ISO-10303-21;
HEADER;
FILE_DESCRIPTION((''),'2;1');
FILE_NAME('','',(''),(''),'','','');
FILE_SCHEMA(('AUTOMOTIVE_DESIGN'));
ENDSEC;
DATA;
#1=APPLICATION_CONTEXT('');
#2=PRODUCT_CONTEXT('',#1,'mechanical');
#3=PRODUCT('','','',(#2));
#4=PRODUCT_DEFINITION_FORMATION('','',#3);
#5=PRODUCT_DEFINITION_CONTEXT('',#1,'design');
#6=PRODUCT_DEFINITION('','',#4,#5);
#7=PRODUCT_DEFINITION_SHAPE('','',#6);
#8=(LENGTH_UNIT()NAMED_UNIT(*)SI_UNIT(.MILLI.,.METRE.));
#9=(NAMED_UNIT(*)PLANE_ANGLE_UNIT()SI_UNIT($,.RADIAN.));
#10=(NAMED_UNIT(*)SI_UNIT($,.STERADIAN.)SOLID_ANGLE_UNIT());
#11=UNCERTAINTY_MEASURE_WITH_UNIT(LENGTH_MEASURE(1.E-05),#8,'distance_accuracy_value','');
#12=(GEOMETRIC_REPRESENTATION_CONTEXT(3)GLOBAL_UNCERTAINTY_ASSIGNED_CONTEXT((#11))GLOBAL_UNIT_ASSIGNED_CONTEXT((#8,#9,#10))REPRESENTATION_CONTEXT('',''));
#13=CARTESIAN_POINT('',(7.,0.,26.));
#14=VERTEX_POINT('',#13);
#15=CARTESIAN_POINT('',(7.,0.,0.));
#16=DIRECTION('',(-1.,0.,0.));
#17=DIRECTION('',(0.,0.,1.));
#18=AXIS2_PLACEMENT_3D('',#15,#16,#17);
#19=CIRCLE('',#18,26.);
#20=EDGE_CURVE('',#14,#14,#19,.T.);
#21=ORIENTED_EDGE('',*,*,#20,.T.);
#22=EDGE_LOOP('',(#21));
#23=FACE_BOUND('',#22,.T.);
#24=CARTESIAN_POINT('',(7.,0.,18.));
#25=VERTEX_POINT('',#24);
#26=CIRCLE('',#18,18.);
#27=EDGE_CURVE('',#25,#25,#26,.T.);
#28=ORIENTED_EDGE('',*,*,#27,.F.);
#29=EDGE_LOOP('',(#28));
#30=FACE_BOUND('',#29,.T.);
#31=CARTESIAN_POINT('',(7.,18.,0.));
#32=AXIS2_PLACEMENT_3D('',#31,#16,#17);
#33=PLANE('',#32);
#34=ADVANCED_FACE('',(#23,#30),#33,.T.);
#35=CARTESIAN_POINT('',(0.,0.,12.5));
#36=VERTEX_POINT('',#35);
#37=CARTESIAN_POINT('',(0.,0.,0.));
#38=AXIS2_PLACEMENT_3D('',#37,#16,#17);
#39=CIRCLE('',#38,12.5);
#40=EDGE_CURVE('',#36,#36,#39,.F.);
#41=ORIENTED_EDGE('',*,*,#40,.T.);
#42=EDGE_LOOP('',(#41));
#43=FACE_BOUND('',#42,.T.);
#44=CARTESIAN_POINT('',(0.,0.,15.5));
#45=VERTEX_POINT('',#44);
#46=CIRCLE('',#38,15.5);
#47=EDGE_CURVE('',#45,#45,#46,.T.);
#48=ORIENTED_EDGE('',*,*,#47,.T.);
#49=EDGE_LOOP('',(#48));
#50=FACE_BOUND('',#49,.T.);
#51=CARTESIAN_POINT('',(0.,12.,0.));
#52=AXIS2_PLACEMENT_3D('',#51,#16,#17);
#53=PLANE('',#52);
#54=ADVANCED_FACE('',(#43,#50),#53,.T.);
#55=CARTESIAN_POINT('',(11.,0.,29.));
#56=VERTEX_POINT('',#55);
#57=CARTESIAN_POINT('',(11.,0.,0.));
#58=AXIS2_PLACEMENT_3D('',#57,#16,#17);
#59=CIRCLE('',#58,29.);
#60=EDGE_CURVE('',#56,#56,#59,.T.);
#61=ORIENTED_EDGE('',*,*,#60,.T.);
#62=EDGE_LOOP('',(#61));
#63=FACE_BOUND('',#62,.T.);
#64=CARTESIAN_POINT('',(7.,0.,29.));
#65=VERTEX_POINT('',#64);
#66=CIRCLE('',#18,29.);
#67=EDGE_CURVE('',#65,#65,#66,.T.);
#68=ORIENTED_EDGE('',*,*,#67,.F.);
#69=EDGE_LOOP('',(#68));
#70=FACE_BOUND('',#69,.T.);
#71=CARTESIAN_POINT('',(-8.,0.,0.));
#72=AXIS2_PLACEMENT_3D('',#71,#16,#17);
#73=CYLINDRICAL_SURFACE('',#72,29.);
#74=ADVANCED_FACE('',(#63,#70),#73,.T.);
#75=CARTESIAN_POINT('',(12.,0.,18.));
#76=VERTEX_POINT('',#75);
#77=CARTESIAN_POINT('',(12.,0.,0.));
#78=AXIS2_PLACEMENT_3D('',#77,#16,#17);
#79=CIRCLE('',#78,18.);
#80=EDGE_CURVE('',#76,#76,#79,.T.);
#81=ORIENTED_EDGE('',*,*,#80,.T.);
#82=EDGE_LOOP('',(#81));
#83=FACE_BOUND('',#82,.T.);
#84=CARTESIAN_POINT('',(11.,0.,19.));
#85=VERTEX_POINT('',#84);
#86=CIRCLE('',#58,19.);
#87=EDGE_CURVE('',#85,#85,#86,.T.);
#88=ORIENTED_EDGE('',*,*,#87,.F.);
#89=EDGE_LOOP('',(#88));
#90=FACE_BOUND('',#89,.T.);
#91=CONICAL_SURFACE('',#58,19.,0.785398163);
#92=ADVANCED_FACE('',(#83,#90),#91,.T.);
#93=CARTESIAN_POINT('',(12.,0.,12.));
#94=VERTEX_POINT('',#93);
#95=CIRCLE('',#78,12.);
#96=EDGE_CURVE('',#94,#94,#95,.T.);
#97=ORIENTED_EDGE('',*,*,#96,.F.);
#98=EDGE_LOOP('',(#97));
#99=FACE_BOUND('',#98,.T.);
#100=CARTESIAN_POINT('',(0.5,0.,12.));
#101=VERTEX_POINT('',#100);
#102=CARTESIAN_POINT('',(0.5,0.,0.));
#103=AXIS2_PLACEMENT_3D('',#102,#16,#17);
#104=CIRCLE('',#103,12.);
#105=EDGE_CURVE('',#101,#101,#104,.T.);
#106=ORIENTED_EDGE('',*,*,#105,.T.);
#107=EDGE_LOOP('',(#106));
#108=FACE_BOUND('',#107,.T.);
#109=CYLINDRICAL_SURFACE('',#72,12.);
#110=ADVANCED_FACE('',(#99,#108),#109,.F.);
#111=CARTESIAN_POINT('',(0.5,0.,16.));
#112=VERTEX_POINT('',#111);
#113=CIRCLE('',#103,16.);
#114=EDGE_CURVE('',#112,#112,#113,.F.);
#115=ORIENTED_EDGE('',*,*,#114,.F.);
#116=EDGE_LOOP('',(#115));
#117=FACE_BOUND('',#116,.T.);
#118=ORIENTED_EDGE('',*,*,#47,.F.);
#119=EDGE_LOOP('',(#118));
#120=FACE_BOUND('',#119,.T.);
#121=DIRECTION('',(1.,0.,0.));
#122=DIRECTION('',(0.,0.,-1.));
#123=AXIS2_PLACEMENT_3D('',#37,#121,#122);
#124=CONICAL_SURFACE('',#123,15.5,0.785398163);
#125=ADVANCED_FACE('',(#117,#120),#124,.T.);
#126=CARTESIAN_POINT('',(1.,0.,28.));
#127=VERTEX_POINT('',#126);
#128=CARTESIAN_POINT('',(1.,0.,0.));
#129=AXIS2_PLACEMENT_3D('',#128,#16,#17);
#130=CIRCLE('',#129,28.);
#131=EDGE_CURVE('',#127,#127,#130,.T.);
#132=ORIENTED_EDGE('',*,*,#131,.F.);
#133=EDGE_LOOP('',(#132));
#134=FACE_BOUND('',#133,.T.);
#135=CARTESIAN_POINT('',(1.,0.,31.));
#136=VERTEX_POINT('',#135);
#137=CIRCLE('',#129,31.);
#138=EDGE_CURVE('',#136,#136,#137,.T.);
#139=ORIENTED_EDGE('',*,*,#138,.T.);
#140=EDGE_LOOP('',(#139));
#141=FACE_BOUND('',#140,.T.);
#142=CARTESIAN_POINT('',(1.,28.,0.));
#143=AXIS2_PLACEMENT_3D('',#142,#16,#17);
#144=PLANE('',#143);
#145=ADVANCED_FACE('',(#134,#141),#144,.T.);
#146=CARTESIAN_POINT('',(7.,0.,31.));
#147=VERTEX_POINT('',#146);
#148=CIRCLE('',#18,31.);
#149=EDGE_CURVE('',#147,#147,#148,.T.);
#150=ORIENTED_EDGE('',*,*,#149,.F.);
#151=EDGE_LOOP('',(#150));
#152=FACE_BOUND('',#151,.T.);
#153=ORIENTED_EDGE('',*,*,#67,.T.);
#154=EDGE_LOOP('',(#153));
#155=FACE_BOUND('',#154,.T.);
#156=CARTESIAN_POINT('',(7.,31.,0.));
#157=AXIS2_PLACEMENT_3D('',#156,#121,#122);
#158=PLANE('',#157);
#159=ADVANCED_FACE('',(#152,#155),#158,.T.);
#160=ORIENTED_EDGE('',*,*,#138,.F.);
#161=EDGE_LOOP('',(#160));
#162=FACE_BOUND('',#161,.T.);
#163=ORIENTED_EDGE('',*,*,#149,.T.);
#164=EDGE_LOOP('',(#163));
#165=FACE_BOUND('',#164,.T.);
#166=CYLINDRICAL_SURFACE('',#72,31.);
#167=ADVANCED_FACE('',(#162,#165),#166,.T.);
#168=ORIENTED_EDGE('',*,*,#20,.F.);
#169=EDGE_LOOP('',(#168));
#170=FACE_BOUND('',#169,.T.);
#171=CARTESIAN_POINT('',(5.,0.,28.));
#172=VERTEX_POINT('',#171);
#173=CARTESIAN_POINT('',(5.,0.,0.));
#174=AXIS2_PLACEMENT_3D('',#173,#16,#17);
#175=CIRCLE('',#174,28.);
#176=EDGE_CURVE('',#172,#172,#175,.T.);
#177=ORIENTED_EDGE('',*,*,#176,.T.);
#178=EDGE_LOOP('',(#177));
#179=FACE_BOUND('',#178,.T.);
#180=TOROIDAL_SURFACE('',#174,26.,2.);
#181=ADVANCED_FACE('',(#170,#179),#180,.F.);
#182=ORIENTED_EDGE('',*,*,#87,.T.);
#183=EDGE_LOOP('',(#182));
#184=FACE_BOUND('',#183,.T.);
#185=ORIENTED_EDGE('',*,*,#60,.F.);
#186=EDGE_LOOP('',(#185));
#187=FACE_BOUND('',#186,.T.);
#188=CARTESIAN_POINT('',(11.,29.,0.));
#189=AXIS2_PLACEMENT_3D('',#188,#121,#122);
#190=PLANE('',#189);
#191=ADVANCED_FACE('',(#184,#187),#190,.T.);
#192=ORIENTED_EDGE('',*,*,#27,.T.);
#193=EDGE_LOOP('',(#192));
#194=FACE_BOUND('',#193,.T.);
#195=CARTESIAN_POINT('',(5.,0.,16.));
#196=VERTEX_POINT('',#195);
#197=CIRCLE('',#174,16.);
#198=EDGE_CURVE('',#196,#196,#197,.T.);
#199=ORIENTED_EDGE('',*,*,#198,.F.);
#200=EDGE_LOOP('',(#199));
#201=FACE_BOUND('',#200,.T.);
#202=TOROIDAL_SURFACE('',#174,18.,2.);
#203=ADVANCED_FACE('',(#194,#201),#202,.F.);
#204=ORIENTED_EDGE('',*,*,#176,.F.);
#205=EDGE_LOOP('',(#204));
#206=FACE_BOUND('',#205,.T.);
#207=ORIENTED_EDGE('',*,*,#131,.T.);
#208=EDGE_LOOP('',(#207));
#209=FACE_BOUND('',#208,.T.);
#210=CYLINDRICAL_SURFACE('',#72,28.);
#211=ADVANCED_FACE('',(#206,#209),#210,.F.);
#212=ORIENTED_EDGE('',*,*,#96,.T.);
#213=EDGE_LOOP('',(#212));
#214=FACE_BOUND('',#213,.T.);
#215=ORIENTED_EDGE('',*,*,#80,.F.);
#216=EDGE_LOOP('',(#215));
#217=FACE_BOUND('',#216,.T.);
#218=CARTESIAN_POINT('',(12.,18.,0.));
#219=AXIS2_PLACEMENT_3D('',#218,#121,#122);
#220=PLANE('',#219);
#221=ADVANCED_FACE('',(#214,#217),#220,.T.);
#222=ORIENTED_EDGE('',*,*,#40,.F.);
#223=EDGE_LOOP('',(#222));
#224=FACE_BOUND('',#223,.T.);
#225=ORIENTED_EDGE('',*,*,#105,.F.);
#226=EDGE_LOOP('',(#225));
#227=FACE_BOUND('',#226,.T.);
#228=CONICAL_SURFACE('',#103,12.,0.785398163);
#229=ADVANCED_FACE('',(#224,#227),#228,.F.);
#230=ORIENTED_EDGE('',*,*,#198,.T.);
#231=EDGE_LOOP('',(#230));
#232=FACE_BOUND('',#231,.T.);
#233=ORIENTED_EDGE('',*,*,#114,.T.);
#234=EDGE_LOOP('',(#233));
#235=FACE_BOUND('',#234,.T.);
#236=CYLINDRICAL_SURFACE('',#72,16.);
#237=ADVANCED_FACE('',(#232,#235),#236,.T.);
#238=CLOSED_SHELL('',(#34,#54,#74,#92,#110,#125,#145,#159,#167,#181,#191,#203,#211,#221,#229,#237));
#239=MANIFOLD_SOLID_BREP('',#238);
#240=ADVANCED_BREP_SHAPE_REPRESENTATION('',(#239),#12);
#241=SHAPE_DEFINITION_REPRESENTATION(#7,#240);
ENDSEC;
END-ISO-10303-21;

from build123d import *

# Parameters (mm, degrees)
CHANFREIN1_SIZE = 0.5


with BuildPart() as part:
    # Esquisse1 → Base-Révolution (revolve)
    with BuildSketch(Plane.XY, mode=Mode.PRIVATE) as base_r_volution_sk:
        with BuildLine():
            Line((0, 12), (0, 16))
            Line((0, 16), (5, 16))
            ThreePointArc((5, 16), (6.414213562, 16.585786438), (7, 18))
            Line((7, 18), (7, 26))
            ThreePointArc((7, 26), (6.414213562, 27.414213562), (5, 28))
            Line((5, 28), (1, 28))
            Line((1, 28), (1, 31))
            Line((1, 31), (7, 31))
            Line((7, 31), (7, 29))
            Line((7, 29), (11, 29))
            Line((11, 29), (11, 19))
            Line((11, 19), (12, 18))
            Line((12, 18), (12, 12))
            Line((12, 12), (0, 12))
        make_face()
    revolve(base_r_volution_sk.sketch.rotate(Axis((-8, 0, 0), (1, 0, 0)), 90), axis=Axis((-8, 0, 0), (1, 0, 0)))

    # Chanfrein1
    chanfrein1_edges = [part.edges().sort_by_distance(p)[0] for p in [
        (0, 0, -12),
        (0, 0, -16),
    ]]
    chamfer(chanfrein1_edges, length=CHANFREIN1_SIZE)


solid = part.part
